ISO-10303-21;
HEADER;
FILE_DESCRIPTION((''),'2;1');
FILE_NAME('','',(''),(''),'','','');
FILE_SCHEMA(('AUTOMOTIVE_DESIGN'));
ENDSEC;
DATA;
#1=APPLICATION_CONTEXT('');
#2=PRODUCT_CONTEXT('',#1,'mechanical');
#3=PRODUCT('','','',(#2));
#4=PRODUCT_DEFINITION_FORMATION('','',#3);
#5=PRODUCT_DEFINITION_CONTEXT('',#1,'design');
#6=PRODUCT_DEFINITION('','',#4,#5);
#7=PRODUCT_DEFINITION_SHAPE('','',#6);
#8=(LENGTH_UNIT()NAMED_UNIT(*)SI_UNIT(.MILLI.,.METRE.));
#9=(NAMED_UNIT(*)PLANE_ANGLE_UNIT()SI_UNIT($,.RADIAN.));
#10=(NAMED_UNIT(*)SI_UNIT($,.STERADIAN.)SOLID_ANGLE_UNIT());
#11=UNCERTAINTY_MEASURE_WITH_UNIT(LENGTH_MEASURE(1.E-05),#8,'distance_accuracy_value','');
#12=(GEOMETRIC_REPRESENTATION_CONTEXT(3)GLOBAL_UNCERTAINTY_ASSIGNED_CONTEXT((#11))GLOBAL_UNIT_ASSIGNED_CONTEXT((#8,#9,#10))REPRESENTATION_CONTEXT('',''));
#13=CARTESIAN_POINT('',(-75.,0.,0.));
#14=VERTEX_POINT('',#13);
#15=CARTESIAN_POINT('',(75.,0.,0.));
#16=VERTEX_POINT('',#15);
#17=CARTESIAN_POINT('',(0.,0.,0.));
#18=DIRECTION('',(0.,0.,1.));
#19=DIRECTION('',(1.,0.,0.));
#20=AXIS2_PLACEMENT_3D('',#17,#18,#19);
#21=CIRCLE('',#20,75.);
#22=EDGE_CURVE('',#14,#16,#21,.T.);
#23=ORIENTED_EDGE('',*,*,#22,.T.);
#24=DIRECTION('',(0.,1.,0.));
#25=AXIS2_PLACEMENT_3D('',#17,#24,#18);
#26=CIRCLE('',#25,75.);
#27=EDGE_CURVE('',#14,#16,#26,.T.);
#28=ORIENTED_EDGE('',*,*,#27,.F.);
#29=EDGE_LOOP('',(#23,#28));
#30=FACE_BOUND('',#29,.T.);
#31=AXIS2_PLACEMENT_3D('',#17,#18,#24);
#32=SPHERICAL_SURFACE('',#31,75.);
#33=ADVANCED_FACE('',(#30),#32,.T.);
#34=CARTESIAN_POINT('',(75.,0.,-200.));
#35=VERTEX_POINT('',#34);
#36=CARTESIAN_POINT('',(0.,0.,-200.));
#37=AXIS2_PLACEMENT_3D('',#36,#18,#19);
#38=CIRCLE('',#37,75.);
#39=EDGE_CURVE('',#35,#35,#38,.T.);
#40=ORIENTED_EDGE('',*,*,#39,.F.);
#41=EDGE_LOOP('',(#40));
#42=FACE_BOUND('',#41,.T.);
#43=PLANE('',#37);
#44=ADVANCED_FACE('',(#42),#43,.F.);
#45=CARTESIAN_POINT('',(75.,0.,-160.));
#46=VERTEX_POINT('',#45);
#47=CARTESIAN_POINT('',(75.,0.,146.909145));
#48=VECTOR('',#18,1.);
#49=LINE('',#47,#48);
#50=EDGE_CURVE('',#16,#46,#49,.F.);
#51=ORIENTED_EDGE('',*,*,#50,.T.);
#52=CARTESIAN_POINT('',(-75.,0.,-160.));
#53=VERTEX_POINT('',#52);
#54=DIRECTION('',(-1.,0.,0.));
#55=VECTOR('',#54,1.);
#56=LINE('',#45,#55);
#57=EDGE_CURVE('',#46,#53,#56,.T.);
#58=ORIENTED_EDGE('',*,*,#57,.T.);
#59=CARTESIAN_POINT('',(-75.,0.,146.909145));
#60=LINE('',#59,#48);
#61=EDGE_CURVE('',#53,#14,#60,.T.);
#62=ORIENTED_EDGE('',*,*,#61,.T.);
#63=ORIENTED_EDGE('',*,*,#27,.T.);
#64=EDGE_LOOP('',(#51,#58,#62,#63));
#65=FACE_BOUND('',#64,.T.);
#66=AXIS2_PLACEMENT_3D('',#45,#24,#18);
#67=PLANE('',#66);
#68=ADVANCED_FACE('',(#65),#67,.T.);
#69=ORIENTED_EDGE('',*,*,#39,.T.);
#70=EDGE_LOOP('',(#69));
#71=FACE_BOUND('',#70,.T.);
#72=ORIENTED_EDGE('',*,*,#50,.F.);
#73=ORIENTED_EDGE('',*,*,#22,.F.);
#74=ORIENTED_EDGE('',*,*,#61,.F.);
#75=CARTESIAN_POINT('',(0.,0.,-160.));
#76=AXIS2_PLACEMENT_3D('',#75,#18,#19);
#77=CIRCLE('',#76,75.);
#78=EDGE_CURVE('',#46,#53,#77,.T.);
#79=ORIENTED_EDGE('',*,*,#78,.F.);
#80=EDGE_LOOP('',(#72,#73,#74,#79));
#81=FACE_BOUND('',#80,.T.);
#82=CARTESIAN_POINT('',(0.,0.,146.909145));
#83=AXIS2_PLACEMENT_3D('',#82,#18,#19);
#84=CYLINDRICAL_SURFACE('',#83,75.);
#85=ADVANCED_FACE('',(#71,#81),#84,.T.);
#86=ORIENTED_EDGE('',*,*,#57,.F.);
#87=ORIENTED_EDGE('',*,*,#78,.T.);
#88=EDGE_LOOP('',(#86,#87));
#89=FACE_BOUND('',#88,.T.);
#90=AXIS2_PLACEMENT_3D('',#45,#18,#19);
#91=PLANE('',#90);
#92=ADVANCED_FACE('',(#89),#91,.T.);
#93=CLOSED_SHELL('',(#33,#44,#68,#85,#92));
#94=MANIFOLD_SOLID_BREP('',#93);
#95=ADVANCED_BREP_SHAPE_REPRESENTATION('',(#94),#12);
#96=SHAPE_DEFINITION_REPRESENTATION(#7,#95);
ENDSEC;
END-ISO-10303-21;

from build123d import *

# Parameters (mm, degrees)
CUT_EXTRUDE1_DEPTH      = 76
CUT_EXTRUDE1_DEPTH_BACK = 76


with BuildPart() as part:
    # Sketch1 → Revolve1 (revolve)
    with BuildSketch(Plane(origin=(0, 0, 0), x_dir=(0, 0, -1), z_dir=(1, 0, 0))):
        with BuildLine():
            Line((200, 0), (-75, 0))
            ThreePointArc((-75, 0), (-53.033008589, 53.033008589), (0, 75))
            Line((0, 75), (200, 75))
            Line((200, 75), (200, 0))
        make_face()
    revolve(axis=Axis((0, 0, 146.909145291), (0, 0, -1)))

    # Sketch2 → Cut-Extrude1 (cut, two sides)
    with BuildSketch(Plane(origin=(0, 0, 0), x_dir=(0, 0, -1), z_dir=(1, 0, 0))) as cut_extrude1_sk:
        with BuildLine():
            Line((160, 0), (160, 75))
            Line((160, 75), (0, 75))
            ThreePointArc((0, 75), (-53.033008589, 53.033008589), (-75, 0))
            Line((-75, 0), (160, 0))
        make_face()
    extrude(amount=CUT_EXTRUDE1_DEPTH, mode=Mode.SUBTRACT)
    extrude(cut_extrude1_sk.sketch, amount=-CUT_EXTRUDE1_DEPTH_BACK, mode=Mode.SUBTRACT)


solid = part.part
